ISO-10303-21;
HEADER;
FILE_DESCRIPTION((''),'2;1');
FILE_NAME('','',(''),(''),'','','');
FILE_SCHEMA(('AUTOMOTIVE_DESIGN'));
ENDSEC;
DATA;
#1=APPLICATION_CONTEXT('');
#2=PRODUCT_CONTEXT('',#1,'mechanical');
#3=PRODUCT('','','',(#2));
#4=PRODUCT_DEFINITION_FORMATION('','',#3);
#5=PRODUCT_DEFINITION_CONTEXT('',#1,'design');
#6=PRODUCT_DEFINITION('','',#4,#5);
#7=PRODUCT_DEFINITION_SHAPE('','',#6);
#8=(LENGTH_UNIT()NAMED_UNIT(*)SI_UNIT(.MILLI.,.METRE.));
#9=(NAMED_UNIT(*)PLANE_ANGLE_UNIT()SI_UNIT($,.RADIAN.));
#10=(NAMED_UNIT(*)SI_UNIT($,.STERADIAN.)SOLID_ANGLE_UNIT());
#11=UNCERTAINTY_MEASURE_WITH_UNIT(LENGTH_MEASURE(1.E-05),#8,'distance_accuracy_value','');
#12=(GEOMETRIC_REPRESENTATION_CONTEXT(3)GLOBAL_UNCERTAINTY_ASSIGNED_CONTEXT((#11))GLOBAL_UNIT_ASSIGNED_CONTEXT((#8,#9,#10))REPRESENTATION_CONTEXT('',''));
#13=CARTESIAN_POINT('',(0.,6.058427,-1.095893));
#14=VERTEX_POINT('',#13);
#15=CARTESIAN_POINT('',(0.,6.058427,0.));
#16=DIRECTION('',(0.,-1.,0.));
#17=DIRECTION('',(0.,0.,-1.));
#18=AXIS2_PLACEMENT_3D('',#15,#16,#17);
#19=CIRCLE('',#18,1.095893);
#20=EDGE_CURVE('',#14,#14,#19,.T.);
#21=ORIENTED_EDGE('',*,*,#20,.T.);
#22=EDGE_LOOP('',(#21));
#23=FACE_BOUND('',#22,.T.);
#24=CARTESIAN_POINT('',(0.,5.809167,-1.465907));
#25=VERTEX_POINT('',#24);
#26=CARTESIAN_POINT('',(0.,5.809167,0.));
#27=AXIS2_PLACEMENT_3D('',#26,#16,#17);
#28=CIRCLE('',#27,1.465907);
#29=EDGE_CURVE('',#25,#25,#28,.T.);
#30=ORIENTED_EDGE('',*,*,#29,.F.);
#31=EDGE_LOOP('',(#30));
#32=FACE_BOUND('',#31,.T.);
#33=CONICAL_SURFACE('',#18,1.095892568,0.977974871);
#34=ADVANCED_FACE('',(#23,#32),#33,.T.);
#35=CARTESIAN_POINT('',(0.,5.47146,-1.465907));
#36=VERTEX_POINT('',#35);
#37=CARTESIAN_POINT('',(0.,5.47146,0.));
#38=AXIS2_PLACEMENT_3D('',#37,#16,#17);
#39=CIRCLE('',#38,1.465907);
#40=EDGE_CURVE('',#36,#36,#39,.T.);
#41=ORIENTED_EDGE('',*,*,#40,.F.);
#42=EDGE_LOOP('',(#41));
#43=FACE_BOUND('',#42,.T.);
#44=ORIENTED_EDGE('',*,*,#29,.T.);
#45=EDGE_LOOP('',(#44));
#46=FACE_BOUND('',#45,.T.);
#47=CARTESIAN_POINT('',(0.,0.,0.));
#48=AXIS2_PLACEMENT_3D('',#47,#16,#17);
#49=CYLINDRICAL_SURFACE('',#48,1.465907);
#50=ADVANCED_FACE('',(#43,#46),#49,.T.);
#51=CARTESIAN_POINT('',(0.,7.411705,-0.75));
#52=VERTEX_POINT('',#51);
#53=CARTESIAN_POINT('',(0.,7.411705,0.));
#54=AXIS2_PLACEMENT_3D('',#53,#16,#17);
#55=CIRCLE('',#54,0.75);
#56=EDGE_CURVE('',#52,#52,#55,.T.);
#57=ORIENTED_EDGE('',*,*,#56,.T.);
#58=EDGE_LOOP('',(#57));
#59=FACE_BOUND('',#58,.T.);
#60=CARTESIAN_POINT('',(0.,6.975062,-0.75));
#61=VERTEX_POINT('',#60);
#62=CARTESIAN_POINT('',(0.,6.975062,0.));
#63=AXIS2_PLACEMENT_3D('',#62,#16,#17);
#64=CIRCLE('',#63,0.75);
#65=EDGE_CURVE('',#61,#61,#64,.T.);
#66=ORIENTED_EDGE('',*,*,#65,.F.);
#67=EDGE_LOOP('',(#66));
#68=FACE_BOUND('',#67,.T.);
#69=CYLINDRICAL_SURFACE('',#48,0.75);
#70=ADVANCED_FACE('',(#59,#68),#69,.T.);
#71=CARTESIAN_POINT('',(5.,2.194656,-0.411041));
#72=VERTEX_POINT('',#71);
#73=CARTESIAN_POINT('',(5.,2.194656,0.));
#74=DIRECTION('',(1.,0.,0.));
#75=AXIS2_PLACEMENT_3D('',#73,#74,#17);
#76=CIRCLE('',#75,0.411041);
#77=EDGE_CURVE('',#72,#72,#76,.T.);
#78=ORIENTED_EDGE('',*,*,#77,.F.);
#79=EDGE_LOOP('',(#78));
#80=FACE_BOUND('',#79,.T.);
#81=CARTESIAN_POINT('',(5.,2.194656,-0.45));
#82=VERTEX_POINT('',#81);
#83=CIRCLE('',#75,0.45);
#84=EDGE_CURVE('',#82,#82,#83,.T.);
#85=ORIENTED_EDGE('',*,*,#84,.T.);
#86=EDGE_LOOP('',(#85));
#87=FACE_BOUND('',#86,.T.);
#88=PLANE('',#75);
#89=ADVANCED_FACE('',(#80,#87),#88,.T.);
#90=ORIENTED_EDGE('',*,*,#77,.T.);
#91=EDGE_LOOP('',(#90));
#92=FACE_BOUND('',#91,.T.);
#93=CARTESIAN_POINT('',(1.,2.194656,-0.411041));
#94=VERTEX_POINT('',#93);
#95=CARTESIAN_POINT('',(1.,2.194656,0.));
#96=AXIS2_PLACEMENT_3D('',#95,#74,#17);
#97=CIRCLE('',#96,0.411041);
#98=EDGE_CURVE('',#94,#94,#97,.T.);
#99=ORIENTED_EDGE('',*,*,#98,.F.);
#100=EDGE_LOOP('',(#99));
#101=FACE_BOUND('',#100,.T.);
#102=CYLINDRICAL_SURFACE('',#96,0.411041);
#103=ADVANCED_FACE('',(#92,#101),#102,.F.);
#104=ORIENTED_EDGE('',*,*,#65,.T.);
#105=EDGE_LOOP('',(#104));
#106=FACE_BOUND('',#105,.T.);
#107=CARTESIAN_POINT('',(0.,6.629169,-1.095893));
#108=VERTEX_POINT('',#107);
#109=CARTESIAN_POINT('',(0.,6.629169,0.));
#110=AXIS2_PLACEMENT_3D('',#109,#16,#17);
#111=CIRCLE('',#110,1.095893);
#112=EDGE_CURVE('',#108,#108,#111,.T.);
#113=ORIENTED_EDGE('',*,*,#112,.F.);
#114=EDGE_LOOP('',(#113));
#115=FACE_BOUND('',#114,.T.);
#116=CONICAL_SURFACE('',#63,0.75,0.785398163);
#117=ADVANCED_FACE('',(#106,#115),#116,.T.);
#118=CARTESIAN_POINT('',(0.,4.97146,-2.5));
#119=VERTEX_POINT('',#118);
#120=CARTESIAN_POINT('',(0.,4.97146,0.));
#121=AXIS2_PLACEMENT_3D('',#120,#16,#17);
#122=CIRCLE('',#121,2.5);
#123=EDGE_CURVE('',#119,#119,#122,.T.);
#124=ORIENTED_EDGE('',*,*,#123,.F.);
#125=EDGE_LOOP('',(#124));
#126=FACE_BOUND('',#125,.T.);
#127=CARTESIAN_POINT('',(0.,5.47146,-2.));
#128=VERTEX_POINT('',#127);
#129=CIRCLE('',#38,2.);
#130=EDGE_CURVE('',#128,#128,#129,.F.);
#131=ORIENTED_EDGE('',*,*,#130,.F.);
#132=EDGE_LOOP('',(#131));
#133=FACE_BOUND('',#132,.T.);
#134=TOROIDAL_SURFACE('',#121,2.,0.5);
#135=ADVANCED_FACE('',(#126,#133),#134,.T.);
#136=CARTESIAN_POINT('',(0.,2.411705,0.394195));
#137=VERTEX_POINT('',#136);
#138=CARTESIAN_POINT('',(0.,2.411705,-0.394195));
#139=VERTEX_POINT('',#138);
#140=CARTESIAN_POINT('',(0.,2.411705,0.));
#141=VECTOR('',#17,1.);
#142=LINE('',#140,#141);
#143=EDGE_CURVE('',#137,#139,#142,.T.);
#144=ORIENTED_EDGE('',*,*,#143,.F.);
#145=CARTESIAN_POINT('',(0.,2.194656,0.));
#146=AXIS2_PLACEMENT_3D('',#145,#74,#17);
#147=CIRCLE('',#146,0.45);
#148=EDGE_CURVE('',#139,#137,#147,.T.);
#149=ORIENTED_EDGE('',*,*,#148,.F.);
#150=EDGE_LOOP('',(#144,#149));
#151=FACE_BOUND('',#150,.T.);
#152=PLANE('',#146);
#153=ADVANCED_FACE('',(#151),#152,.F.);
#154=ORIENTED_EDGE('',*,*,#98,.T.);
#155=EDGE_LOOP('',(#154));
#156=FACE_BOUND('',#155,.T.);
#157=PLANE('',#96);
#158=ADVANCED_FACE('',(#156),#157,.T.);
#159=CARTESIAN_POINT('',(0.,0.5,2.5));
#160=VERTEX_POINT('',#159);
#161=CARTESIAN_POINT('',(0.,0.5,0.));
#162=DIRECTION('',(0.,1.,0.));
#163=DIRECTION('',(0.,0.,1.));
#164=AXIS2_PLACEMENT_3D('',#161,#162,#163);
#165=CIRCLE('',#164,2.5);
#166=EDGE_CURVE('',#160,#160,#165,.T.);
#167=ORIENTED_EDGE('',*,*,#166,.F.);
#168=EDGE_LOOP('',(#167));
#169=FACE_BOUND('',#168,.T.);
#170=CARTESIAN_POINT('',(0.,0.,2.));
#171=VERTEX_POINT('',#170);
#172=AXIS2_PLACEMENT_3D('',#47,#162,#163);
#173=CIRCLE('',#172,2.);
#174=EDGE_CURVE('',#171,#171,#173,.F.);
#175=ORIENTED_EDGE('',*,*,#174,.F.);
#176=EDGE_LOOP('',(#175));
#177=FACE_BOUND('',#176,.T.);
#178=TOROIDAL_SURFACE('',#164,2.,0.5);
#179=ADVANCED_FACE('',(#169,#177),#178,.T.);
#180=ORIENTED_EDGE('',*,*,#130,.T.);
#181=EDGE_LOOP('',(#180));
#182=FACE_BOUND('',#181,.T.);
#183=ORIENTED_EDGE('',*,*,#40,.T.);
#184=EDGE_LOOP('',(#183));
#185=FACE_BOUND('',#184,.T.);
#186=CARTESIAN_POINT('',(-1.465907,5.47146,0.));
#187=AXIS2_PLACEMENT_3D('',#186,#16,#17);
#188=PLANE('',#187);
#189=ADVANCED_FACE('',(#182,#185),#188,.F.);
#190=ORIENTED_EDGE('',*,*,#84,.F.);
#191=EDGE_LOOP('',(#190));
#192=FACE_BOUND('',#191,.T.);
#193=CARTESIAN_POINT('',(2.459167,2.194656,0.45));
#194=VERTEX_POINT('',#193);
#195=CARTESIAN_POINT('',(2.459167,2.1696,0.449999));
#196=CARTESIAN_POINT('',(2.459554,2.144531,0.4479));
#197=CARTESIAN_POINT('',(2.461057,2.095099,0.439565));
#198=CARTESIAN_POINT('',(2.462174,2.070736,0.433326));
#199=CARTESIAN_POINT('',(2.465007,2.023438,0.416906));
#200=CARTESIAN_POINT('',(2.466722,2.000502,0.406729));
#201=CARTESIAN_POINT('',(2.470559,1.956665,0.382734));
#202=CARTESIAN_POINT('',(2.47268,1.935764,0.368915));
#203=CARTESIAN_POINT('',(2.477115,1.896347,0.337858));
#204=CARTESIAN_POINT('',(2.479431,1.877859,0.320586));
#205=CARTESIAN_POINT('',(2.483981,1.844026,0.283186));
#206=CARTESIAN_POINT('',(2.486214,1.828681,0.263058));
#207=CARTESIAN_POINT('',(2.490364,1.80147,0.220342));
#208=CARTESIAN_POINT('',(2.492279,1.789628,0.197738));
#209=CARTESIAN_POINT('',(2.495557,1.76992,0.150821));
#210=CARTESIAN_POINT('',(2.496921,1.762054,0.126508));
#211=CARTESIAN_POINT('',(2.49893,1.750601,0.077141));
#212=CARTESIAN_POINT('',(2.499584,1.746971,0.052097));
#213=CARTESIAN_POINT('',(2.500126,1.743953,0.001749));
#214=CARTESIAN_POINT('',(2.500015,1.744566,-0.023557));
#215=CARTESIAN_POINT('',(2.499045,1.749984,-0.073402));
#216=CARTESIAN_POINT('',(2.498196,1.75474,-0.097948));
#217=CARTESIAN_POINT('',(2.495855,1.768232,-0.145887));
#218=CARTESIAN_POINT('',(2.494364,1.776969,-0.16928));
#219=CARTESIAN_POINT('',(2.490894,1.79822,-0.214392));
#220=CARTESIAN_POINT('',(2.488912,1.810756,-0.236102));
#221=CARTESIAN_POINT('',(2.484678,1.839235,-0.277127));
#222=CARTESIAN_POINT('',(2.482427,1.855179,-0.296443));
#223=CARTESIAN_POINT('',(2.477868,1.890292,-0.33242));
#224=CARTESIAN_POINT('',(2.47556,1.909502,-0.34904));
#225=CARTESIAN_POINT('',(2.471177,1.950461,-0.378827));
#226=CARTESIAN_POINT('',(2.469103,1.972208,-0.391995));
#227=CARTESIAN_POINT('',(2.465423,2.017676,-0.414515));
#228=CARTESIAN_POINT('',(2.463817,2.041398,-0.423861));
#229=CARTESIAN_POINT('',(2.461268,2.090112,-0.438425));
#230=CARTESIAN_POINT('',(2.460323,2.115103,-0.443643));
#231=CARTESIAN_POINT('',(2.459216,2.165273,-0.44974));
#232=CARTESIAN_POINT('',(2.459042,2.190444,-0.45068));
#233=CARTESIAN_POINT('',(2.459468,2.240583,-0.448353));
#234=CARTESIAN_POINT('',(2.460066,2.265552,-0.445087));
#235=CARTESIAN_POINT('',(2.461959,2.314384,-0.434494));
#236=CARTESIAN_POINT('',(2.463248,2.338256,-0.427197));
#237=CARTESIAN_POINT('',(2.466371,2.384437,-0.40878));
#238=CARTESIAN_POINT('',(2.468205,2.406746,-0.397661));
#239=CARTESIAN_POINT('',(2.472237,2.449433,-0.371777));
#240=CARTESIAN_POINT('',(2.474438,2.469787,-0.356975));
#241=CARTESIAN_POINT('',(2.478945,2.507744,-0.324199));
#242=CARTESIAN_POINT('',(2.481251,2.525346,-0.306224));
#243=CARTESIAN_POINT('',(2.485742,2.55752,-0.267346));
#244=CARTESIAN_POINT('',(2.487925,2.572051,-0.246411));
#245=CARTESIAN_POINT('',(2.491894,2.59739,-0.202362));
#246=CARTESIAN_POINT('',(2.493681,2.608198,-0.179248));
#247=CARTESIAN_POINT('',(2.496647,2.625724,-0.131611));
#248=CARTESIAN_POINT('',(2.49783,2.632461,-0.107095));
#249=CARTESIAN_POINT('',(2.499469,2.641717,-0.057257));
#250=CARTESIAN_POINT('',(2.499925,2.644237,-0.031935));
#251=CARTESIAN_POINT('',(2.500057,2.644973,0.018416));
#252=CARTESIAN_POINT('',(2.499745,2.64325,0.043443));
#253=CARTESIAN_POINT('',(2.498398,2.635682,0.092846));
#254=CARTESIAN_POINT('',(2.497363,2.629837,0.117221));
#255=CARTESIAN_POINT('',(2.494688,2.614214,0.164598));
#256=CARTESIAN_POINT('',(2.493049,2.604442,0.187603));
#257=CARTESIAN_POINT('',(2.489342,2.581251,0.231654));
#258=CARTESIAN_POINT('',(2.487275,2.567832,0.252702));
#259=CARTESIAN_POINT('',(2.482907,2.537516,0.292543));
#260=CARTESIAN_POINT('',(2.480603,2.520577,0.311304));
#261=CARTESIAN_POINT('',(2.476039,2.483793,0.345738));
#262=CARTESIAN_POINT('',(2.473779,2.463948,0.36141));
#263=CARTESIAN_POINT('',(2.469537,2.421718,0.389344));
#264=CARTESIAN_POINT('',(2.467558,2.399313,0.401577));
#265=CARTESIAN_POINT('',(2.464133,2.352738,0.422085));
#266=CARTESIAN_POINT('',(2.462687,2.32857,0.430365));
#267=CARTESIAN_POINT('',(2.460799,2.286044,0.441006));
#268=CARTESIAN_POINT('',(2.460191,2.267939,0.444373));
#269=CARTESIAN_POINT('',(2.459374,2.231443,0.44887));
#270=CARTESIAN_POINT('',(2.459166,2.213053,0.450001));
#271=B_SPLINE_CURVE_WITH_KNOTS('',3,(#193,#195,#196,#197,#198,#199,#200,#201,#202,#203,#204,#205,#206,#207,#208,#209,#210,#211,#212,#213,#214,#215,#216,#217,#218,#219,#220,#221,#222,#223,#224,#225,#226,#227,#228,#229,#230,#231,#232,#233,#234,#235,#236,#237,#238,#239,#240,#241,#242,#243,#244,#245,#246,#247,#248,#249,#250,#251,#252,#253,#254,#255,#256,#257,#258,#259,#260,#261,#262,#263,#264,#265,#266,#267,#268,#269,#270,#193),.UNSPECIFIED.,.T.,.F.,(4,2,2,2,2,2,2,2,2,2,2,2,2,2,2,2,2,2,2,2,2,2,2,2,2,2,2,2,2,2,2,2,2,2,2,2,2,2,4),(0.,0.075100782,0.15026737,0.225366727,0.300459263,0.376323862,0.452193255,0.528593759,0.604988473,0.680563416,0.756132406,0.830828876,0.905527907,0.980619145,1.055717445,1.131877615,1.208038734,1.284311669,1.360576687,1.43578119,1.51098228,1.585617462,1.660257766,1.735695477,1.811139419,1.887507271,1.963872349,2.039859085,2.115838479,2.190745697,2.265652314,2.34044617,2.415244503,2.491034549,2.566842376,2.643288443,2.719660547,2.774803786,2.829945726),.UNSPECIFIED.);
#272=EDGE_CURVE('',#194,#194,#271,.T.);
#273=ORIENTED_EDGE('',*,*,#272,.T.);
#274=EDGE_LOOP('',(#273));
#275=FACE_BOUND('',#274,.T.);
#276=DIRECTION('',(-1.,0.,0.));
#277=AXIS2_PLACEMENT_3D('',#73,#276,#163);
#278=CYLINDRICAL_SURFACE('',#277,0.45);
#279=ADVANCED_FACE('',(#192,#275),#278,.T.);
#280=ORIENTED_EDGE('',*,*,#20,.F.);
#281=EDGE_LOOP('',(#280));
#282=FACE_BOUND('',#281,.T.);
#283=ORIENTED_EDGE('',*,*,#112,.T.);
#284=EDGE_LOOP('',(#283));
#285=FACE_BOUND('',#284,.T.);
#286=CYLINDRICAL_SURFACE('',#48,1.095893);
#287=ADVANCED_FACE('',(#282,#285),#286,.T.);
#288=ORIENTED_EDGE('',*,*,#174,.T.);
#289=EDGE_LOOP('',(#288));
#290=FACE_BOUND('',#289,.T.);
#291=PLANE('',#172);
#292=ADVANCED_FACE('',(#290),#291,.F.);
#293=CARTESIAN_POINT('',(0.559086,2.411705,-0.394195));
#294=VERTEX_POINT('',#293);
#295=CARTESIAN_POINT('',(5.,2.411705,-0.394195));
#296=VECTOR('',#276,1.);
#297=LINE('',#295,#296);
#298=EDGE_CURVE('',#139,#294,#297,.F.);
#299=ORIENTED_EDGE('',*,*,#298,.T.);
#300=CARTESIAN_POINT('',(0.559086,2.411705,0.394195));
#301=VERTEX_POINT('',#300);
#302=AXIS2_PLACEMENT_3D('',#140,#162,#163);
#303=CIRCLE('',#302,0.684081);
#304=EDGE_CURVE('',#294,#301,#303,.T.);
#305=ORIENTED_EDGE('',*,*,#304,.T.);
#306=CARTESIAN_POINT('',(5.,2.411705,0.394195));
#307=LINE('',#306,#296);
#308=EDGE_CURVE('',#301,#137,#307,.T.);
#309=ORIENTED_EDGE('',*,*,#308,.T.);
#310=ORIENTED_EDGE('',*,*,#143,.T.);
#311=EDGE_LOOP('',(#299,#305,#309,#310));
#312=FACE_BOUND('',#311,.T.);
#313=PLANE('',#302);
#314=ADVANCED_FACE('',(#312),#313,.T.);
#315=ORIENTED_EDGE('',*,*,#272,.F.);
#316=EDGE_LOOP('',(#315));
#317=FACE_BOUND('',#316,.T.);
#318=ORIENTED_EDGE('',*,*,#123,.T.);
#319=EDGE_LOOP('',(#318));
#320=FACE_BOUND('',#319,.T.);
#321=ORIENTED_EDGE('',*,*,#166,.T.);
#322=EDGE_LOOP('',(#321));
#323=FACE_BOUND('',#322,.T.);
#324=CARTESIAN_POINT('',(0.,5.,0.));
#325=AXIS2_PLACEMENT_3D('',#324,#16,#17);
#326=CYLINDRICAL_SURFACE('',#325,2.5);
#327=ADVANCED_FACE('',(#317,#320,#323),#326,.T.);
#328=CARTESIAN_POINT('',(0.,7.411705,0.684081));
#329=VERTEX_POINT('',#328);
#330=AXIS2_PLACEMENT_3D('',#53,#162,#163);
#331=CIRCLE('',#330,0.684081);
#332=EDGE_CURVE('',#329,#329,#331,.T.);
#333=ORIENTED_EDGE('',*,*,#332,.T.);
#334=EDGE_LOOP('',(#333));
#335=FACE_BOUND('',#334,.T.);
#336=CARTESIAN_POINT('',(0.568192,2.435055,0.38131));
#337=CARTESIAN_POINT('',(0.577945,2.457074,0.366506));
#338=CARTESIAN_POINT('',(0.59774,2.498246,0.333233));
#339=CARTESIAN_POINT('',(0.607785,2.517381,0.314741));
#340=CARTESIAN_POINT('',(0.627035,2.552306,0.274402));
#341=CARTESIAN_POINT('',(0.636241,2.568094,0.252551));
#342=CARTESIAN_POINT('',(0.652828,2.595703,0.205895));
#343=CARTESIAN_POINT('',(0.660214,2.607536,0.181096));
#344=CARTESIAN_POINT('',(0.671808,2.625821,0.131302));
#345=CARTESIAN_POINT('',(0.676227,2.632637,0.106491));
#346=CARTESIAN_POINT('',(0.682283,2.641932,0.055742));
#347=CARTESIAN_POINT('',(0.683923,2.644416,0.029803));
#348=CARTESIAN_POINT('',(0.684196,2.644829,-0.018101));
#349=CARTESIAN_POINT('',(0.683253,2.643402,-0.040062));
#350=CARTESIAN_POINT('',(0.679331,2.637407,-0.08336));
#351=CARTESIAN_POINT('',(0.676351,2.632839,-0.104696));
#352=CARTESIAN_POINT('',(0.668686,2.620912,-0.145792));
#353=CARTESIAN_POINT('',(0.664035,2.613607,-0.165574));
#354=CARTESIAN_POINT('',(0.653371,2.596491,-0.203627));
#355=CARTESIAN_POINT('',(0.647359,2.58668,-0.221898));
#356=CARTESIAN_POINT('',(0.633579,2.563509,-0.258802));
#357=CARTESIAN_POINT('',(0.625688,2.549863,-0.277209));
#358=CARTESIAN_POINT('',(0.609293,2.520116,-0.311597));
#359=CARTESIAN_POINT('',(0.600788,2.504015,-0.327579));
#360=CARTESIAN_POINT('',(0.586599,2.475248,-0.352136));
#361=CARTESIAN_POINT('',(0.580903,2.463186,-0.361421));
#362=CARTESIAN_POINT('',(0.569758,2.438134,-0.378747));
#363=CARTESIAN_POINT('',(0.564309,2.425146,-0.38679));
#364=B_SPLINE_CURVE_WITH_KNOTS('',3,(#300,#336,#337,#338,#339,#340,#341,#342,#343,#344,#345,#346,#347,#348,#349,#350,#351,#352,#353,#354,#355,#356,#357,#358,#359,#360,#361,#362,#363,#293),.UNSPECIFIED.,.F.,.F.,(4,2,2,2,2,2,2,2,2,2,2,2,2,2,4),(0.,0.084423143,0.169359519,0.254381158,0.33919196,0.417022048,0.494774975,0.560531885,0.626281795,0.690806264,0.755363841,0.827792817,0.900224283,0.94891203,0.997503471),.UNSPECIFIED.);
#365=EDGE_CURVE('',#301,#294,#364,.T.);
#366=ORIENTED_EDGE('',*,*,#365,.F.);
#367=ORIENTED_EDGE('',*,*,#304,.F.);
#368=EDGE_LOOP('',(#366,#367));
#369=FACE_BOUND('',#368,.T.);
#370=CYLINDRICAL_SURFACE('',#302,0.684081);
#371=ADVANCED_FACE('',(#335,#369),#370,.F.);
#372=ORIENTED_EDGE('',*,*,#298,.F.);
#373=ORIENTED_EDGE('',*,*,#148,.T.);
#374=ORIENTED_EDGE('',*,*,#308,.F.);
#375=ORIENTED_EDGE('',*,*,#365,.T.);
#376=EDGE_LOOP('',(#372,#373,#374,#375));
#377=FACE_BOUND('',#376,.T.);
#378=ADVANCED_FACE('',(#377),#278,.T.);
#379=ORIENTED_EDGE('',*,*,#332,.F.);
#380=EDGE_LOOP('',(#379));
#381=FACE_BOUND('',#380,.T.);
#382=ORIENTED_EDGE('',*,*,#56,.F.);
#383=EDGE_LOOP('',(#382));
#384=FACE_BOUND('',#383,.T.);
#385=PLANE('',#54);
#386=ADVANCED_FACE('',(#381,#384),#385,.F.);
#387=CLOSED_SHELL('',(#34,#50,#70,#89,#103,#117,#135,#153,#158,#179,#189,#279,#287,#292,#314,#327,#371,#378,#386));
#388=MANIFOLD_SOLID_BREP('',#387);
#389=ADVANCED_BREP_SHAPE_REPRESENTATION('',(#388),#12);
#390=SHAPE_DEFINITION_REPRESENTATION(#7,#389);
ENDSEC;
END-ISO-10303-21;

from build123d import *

# Parameters (mm, degrees)
SKETCH2_R           = 2.5
BOSS_EXTRUDE1_DEPTH = 5
SKETCH4_R           = 0.684081367
CUT_EXTRUDE1_DEPTH  = 5
FILLET2_R           = 0.5
SKETCH5_R           = 0.45
BOSS_EXTRUDE2_DEPTH = 5
SKETCH6_R           = 0.411041126
CUT_EXTRUDE2_DEPTH  = 4


with BuildPart() as part:
    # Sketch2 → Boss-Extrude1 (new body)
    with BuildSketch(Plane(origin=(0, 0, 0), x_dir=(1, 0, 0), z_dir=(0, 1, 0))):
        Circle(SKETCH2_R)
    extrude(amount=BOSS_EXTRUDE1_DEPTH)

    # Sketch3 → Revolve2 (revolve)
    with BuildSketch(Plane.XY):
        Polygon((0, 7.411705002), (-0.75, 7.411705002), (-0.75, 6.975061564), (-1.095892568, 6.629168996), (-1.095892568, 6.058427362), (-1.465907088, 5.809167185), (-1.465907088, 5.471459847), (-2.5, 5.471459847), (-2.5, 5), (0, 5), align=None)
    revolve(axis=Axis((0, 0, 0), (0, 1, 0)))

    # Sketch4 → Cut-Extrude1 (cut)
    with BuildSketch(Plane(origin=(0, 7.411705002, 0), x_dir=(1, 0, 0), z_dir=(0, 1, 0))):
        Circle(SKETCH4_R)
    extrude(amount=-CUT_EXTRUDE1_DEPTH, mode=Mode.SUBTRACT)

    # Fillet2
    fillet2_edges = [part.edges().sort_by_distance(p)[0] for p in [
        (-2.5, 0, 0),
        (2.5, 5.471459847, 0),
    ]]
    fillet(fillet2_edges, radius=FILLET2_R)

    # Sketch5 → Boss-Extrude2 (add)
    with BuildSketch(Plane(origin=(0, 0, 0), x_dir=(0, 0, -1), z_dir=(1, 0, 0))):
        with Locations((0, 2.194655863)):
            Circle(SKETCH5_R)
    extrude(amount=BOSS_EXTRUDE2_DEPTH)

    # Sketch6 → Cut-Extrude2 (cut)
    with BuildSketch(Plane(origin=(5, 0, 0), x_dir=(0, 0, -1), z_dir=(1, 0, 0))):
        with Locations((0, 2.194655863)):
            Circle(SKETCH6_R)
    extrude(amount=-CUT_EXTRUDE2_DEPTH, mode=Mode.SUBTRACT)


solid = part.part
